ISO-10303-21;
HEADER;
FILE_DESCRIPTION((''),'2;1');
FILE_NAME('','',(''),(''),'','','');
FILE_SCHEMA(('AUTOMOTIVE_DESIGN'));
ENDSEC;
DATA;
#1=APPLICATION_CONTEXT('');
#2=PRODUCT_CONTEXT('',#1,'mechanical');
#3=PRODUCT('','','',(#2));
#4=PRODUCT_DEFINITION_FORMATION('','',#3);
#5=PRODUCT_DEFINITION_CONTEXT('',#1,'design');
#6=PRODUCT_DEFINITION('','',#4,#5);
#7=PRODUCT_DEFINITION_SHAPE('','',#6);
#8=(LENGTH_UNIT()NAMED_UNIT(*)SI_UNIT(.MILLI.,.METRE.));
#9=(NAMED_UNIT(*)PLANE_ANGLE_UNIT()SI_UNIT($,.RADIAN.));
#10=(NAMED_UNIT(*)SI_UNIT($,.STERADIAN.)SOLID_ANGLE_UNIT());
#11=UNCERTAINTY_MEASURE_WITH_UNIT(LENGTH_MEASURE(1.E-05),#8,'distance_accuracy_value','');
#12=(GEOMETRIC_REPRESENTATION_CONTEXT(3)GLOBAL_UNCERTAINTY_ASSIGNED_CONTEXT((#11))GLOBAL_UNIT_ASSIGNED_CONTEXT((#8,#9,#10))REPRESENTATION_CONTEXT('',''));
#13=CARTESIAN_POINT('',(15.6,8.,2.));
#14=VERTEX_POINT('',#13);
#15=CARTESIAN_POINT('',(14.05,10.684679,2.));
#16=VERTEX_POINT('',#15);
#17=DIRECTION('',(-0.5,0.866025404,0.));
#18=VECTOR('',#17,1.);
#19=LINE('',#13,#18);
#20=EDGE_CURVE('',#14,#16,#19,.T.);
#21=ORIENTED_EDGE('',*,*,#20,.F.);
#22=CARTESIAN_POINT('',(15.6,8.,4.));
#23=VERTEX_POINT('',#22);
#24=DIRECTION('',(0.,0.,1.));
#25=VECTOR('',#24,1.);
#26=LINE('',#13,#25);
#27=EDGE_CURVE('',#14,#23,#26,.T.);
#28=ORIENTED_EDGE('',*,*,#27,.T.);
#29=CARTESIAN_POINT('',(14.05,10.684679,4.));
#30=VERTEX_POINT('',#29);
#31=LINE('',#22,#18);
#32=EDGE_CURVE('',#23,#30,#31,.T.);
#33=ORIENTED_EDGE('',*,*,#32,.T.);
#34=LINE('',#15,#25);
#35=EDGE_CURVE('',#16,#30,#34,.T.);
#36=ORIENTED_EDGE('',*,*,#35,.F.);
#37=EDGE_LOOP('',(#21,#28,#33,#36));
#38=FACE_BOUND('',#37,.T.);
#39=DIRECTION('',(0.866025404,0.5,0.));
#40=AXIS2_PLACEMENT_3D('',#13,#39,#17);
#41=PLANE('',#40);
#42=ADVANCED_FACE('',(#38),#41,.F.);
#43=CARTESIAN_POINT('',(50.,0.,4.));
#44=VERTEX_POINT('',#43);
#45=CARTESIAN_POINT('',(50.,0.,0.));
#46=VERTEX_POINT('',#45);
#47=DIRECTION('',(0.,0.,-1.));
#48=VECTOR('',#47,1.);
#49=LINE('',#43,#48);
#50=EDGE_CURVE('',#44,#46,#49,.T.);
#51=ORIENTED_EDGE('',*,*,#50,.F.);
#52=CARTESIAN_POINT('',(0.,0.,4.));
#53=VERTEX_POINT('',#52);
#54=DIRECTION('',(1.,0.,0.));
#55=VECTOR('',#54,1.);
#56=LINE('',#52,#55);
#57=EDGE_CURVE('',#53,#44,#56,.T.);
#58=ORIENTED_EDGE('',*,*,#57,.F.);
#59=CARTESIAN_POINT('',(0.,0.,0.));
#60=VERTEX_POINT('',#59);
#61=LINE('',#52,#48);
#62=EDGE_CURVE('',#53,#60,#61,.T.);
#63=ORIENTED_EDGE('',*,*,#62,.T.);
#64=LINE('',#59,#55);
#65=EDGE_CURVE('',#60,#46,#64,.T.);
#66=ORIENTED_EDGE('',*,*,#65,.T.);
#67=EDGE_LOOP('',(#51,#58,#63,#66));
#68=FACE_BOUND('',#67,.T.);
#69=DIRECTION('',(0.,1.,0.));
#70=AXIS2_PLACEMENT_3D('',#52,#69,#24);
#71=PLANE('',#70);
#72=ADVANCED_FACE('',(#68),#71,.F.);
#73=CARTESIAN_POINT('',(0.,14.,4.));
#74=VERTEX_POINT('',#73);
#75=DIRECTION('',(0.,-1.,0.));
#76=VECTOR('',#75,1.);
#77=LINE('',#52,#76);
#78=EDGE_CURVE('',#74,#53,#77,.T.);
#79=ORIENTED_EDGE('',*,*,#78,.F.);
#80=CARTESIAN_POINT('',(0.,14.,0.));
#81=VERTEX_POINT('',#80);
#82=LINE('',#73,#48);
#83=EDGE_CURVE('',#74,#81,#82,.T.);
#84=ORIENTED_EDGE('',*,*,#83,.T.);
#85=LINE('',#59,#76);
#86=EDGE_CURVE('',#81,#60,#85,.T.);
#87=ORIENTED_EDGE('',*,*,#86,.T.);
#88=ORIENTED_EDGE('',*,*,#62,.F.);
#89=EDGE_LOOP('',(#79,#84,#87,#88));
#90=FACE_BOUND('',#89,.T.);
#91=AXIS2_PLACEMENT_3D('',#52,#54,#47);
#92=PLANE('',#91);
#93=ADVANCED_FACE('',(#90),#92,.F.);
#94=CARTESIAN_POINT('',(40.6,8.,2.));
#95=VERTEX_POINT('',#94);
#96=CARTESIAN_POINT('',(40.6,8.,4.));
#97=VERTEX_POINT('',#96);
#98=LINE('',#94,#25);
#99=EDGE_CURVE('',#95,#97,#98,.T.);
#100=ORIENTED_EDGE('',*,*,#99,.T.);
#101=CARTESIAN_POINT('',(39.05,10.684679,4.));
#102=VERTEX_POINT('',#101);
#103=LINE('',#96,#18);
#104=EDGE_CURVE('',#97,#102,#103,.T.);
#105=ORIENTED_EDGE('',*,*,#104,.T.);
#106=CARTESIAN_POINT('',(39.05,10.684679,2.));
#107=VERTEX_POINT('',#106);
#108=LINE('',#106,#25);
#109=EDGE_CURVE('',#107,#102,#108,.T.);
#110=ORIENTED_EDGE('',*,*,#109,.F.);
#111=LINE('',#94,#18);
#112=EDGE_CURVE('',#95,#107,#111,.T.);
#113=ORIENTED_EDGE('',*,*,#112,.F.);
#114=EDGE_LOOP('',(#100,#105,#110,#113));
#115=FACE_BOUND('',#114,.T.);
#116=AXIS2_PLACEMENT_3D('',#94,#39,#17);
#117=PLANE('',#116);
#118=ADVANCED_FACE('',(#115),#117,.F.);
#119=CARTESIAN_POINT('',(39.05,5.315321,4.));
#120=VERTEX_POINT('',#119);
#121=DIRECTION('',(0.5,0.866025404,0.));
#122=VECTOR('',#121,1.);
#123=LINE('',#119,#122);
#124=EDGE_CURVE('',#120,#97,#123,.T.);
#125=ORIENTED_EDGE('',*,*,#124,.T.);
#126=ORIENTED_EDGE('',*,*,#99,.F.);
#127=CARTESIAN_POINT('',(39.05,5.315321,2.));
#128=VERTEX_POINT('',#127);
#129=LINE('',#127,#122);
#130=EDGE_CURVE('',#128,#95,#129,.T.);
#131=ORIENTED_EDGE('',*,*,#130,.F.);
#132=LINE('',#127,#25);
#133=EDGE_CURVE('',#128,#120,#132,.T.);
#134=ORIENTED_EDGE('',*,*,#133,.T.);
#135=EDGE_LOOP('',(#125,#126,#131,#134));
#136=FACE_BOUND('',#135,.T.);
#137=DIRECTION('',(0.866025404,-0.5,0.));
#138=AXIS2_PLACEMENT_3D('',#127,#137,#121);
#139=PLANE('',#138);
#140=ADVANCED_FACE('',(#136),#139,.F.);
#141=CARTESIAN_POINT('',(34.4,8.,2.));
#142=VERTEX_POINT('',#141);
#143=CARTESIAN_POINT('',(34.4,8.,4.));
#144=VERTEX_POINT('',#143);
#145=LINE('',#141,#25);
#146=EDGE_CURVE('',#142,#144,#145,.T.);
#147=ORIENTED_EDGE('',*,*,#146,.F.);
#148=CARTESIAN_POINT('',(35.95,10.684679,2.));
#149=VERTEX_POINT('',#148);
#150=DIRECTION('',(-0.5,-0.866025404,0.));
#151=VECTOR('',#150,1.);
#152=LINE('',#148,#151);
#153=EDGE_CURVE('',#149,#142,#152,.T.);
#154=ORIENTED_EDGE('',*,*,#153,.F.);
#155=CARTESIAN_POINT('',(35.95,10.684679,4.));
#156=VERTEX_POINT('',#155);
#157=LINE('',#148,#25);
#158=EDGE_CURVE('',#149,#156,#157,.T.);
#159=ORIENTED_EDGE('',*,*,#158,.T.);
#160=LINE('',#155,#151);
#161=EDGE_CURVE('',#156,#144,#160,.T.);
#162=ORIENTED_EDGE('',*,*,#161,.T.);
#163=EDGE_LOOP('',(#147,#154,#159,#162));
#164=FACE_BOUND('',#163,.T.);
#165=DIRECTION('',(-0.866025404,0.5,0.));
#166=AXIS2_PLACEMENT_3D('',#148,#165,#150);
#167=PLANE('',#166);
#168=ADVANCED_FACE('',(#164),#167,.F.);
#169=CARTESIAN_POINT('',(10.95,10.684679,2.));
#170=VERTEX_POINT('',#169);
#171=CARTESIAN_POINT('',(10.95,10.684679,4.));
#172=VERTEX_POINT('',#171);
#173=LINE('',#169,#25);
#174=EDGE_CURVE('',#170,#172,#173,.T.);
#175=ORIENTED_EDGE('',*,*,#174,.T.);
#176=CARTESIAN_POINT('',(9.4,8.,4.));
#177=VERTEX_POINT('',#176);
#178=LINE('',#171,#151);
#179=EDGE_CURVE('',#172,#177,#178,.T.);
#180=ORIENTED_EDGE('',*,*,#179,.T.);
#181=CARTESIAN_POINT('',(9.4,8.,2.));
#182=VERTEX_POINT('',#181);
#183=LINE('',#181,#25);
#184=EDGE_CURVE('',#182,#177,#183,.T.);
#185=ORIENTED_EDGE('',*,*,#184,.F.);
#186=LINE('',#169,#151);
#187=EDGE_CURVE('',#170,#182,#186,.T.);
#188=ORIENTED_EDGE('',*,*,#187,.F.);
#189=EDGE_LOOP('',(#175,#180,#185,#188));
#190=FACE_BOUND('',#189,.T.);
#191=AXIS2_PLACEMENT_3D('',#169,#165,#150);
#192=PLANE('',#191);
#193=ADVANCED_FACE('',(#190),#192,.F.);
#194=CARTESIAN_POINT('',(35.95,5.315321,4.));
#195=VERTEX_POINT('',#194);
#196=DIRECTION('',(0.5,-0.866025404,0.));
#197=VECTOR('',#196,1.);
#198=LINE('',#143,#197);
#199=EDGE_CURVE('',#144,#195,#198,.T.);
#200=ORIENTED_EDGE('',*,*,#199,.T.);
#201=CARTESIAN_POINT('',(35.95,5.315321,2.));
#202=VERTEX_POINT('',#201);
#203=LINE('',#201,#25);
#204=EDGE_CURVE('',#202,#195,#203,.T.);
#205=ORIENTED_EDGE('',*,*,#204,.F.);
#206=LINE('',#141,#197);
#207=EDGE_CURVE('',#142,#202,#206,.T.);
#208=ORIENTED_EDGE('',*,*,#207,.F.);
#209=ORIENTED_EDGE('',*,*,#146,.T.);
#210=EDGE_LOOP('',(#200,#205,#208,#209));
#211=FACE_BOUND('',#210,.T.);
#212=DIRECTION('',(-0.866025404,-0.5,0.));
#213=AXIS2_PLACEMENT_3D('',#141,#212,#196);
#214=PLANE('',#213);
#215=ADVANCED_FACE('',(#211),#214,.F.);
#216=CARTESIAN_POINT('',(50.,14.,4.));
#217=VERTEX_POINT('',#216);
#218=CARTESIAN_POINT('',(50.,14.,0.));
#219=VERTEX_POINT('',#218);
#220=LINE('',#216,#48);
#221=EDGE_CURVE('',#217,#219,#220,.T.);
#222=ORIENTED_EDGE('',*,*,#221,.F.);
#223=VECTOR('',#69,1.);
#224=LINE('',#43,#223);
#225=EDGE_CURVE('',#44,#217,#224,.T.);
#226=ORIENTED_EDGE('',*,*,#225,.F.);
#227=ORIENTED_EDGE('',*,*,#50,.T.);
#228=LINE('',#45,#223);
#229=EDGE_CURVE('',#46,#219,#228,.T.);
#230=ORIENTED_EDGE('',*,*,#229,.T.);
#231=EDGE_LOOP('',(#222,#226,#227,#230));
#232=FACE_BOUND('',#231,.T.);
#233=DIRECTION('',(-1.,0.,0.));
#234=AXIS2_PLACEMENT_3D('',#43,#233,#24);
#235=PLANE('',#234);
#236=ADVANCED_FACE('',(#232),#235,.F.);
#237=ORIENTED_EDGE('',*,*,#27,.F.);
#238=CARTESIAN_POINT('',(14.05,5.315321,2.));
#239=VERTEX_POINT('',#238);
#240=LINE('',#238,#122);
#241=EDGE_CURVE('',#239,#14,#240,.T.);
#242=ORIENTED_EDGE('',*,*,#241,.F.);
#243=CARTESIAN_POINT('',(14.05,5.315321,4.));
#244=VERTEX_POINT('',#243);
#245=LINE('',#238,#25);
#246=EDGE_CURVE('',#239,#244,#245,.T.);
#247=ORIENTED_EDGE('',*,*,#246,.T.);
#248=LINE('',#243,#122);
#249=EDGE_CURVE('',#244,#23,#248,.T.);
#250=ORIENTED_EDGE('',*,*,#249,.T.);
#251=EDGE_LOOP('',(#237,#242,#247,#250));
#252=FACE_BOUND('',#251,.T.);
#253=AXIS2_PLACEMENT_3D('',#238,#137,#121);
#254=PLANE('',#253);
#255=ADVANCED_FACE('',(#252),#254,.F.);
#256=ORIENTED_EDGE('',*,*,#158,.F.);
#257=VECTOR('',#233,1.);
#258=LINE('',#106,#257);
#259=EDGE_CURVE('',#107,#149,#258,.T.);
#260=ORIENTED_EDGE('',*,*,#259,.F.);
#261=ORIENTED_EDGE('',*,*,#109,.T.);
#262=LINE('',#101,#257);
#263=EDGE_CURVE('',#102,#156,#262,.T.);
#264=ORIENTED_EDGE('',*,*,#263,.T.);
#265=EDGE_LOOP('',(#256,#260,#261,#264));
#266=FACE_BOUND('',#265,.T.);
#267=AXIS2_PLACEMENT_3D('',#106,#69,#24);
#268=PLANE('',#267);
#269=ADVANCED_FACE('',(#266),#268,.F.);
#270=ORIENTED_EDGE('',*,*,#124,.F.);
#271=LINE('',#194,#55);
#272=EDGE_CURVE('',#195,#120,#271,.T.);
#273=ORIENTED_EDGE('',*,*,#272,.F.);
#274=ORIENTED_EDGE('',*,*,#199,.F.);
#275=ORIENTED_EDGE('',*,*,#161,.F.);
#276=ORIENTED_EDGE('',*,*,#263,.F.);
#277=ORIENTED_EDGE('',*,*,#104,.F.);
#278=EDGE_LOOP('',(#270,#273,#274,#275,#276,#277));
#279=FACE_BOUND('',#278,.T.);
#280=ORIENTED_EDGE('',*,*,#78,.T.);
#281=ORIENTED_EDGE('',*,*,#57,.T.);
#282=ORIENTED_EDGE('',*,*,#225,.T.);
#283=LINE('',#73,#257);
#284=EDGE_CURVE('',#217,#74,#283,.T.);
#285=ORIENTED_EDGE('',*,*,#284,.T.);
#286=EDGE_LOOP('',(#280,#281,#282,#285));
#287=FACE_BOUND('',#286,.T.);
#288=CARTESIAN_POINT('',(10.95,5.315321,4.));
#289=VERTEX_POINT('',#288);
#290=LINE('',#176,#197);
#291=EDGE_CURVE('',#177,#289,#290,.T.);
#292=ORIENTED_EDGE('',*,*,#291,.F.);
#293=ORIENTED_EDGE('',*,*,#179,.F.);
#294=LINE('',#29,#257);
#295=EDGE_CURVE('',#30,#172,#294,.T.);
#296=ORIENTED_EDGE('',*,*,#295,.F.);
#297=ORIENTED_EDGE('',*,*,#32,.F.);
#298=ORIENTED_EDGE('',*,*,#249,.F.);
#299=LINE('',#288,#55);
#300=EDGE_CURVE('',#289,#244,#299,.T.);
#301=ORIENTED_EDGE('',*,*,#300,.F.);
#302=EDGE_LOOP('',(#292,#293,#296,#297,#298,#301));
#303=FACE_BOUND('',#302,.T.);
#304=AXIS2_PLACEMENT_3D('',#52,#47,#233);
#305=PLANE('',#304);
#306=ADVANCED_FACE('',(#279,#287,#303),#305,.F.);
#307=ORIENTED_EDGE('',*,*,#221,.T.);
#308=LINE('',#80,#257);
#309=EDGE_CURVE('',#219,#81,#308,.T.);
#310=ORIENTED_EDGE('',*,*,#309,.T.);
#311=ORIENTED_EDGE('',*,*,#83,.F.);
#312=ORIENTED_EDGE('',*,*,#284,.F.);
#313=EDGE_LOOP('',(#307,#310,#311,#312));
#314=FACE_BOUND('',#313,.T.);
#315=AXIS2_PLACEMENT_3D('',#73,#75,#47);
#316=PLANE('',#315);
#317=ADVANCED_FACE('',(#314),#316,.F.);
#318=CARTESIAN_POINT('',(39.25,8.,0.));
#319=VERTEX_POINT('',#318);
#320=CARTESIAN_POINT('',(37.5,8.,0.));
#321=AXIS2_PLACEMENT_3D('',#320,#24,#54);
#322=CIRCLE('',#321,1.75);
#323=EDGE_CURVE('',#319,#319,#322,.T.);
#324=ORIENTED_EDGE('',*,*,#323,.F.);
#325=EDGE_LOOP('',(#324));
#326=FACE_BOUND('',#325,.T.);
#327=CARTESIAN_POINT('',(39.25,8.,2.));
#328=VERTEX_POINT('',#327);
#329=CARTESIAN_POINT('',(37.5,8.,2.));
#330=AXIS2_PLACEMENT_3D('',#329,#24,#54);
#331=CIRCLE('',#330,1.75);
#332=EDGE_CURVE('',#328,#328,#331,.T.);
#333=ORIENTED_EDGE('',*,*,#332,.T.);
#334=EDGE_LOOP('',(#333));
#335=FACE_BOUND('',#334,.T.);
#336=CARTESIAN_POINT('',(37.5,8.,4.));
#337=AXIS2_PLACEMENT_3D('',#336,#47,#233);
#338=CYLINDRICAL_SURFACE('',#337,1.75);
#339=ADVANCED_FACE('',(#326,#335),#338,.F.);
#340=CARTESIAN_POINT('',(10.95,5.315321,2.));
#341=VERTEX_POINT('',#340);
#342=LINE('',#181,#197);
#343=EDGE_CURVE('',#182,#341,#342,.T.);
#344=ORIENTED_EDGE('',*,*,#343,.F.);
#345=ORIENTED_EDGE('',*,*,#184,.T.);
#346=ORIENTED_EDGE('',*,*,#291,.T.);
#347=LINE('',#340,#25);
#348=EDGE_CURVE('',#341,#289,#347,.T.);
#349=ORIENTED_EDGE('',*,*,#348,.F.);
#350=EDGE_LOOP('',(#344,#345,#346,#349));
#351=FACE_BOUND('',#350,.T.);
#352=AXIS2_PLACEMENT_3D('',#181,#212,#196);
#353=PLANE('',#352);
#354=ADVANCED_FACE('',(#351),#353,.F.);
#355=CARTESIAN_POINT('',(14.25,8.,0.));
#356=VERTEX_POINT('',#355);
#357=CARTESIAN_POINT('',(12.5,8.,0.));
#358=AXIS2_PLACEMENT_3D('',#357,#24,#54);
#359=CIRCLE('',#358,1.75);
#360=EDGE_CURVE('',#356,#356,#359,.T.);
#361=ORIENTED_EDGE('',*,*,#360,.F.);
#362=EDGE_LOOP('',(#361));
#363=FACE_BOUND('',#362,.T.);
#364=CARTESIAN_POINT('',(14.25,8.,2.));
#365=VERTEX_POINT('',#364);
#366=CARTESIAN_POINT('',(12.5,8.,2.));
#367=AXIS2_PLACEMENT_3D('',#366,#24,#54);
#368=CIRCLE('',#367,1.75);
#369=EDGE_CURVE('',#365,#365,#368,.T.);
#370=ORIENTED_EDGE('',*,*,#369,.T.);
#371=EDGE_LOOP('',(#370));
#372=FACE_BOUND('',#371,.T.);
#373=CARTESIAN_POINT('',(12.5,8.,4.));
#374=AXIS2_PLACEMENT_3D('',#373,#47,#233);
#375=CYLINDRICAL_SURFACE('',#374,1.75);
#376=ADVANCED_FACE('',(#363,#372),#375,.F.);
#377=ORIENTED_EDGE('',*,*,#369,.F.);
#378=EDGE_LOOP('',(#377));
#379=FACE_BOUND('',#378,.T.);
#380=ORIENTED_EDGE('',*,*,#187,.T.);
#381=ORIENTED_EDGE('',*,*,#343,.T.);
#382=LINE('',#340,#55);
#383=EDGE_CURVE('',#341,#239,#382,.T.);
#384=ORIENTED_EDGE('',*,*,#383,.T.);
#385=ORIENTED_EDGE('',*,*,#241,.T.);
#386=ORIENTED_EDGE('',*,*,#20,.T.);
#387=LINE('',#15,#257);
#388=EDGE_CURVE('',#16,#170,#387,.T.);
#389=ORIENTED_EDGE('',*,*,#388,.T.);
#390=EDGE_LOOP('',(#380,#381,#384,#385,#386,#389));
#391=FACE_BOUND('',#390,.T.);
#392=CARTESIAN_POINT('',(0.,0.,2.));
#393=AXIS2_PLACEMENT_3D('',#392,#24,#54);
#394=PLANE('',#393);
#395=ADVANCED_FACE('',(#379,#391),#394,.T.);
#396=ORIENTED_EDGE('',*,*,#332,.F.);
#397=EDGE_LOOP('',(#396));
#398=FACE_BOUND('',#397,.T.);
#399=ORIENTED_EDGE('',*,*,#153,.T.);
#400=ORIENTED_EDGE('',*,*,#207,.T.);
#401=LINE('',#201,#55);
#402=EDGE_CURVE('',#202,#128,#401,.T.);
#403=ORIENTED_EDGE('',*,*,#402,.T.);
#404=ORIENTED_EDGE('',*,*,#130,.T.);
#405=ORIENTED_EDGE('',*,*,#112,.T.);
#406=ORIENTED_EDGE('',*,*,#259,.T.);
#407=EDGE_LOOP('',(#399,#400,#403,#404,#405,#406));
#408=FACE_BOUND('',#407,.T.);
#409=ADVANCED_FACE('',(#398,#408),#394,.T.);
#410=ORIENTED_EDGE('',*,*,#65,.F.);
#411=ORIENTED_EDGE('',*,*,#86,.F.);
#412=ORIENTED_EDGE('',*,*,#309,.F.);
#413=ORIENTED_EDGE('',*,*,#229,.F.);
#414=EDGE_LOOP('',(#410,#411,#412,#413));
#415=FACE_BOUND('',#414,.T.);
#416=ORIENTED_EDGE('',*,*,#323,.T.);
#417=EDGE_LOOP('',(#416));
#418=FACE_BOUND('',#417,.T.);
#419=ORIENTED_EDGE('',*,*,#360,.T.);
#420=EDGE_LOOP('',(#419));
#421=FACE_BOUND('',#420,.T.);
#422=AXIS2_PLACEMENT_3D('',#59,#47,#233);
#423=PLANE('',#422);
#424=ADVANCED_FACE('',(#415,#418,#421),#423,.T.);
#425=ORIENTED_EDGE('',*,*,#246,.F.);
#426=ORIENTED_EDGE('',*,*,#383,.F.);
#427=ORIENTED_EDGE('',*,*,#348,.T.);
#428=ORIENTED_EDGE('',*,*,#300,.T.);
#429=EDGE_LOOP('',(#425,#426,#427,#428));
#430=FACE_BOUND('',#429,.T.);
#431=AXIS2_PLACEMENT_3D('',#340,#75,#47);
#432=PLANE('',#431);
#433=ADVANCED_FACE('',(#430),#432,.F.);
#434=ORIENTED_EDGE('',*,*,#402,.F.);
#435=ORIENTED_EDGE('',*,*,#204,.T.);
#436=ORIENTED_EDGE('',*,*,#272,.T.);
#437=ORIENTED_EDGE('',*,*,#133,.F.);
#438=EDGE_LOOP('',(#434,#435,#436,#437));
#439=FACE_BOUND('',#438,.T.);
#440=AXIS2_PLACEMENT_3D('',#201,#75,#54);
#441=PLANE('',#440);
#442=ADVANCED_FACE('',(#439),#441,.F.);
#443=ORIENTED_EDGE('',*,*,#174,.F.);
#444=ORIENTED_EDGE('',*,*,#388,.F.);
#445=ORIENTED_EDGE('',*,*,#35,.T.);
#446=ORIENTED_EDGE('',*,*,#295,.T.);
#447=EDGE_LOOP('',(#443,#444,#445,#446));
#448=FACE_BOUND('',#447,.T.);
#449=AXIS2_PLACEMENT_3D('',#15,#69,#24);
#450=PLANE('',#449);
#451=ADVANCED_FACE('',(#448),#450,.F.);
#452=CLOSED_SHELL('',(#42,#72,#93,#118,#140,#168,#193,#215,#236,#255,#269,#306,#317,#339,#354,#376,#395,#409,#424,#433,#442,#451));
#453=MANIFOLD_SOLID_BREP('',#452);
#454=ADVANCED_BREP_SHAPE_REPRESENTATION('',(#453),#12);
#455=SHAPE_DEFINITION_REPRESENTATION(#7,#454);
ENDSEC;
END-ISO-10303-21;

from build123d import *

# Parameters (mm, degrees)
SKETCH1_W                 = 50
SKETCH1_H                 = 14
SKETCH1_R                 = 1.75
BOSS_EXTRUDE1_DEPTH       = 4
NUTHOLECUT_EXTRUDE1_DEPTH = 2


with BuildPart() as part:
    # Sketch1 → Boss-Extrude1 (new body)
    with BuildSketch(Plane.XY):
        with Locations((25, 7)):
            Rectangle(SKETCH1_W, SKETCH1_H)
        with Locations((12.5, 8)):
            Circle(SKETCH1_R, mode=Mode.SUBTRACT)
        with Locations((37.5, 8)):
            Circle(SKETCH1_R, mode=Mode.SUBTRACT)
    extrude(amount=BOSS_EXTRUDE1_DEPTH)

    # NutHoleSketch7 → NutHoleCut-Extrude1 (cut)
    with BuildSketch(Plane.XY.offset(4)):
        Polygon((14.05, 5.315321248), (15.6, 8), (14.05, 10.684678752), (10.95, 10.684678752), (9.4, 8), (10.95, 5.315321248), align=None)
        Polygon((39.05, 5.315321248), (40.6, 8), (39.05, 10.684678752), (35.95, 10.684678752), (34.4, 8), (35.95, 5.315321248), align=None)
    extrude(amount=-NUTHOLECUT_EXTRUDE1_DEPTH, mode=Mode.SUBTRACT)


solid = part.part
